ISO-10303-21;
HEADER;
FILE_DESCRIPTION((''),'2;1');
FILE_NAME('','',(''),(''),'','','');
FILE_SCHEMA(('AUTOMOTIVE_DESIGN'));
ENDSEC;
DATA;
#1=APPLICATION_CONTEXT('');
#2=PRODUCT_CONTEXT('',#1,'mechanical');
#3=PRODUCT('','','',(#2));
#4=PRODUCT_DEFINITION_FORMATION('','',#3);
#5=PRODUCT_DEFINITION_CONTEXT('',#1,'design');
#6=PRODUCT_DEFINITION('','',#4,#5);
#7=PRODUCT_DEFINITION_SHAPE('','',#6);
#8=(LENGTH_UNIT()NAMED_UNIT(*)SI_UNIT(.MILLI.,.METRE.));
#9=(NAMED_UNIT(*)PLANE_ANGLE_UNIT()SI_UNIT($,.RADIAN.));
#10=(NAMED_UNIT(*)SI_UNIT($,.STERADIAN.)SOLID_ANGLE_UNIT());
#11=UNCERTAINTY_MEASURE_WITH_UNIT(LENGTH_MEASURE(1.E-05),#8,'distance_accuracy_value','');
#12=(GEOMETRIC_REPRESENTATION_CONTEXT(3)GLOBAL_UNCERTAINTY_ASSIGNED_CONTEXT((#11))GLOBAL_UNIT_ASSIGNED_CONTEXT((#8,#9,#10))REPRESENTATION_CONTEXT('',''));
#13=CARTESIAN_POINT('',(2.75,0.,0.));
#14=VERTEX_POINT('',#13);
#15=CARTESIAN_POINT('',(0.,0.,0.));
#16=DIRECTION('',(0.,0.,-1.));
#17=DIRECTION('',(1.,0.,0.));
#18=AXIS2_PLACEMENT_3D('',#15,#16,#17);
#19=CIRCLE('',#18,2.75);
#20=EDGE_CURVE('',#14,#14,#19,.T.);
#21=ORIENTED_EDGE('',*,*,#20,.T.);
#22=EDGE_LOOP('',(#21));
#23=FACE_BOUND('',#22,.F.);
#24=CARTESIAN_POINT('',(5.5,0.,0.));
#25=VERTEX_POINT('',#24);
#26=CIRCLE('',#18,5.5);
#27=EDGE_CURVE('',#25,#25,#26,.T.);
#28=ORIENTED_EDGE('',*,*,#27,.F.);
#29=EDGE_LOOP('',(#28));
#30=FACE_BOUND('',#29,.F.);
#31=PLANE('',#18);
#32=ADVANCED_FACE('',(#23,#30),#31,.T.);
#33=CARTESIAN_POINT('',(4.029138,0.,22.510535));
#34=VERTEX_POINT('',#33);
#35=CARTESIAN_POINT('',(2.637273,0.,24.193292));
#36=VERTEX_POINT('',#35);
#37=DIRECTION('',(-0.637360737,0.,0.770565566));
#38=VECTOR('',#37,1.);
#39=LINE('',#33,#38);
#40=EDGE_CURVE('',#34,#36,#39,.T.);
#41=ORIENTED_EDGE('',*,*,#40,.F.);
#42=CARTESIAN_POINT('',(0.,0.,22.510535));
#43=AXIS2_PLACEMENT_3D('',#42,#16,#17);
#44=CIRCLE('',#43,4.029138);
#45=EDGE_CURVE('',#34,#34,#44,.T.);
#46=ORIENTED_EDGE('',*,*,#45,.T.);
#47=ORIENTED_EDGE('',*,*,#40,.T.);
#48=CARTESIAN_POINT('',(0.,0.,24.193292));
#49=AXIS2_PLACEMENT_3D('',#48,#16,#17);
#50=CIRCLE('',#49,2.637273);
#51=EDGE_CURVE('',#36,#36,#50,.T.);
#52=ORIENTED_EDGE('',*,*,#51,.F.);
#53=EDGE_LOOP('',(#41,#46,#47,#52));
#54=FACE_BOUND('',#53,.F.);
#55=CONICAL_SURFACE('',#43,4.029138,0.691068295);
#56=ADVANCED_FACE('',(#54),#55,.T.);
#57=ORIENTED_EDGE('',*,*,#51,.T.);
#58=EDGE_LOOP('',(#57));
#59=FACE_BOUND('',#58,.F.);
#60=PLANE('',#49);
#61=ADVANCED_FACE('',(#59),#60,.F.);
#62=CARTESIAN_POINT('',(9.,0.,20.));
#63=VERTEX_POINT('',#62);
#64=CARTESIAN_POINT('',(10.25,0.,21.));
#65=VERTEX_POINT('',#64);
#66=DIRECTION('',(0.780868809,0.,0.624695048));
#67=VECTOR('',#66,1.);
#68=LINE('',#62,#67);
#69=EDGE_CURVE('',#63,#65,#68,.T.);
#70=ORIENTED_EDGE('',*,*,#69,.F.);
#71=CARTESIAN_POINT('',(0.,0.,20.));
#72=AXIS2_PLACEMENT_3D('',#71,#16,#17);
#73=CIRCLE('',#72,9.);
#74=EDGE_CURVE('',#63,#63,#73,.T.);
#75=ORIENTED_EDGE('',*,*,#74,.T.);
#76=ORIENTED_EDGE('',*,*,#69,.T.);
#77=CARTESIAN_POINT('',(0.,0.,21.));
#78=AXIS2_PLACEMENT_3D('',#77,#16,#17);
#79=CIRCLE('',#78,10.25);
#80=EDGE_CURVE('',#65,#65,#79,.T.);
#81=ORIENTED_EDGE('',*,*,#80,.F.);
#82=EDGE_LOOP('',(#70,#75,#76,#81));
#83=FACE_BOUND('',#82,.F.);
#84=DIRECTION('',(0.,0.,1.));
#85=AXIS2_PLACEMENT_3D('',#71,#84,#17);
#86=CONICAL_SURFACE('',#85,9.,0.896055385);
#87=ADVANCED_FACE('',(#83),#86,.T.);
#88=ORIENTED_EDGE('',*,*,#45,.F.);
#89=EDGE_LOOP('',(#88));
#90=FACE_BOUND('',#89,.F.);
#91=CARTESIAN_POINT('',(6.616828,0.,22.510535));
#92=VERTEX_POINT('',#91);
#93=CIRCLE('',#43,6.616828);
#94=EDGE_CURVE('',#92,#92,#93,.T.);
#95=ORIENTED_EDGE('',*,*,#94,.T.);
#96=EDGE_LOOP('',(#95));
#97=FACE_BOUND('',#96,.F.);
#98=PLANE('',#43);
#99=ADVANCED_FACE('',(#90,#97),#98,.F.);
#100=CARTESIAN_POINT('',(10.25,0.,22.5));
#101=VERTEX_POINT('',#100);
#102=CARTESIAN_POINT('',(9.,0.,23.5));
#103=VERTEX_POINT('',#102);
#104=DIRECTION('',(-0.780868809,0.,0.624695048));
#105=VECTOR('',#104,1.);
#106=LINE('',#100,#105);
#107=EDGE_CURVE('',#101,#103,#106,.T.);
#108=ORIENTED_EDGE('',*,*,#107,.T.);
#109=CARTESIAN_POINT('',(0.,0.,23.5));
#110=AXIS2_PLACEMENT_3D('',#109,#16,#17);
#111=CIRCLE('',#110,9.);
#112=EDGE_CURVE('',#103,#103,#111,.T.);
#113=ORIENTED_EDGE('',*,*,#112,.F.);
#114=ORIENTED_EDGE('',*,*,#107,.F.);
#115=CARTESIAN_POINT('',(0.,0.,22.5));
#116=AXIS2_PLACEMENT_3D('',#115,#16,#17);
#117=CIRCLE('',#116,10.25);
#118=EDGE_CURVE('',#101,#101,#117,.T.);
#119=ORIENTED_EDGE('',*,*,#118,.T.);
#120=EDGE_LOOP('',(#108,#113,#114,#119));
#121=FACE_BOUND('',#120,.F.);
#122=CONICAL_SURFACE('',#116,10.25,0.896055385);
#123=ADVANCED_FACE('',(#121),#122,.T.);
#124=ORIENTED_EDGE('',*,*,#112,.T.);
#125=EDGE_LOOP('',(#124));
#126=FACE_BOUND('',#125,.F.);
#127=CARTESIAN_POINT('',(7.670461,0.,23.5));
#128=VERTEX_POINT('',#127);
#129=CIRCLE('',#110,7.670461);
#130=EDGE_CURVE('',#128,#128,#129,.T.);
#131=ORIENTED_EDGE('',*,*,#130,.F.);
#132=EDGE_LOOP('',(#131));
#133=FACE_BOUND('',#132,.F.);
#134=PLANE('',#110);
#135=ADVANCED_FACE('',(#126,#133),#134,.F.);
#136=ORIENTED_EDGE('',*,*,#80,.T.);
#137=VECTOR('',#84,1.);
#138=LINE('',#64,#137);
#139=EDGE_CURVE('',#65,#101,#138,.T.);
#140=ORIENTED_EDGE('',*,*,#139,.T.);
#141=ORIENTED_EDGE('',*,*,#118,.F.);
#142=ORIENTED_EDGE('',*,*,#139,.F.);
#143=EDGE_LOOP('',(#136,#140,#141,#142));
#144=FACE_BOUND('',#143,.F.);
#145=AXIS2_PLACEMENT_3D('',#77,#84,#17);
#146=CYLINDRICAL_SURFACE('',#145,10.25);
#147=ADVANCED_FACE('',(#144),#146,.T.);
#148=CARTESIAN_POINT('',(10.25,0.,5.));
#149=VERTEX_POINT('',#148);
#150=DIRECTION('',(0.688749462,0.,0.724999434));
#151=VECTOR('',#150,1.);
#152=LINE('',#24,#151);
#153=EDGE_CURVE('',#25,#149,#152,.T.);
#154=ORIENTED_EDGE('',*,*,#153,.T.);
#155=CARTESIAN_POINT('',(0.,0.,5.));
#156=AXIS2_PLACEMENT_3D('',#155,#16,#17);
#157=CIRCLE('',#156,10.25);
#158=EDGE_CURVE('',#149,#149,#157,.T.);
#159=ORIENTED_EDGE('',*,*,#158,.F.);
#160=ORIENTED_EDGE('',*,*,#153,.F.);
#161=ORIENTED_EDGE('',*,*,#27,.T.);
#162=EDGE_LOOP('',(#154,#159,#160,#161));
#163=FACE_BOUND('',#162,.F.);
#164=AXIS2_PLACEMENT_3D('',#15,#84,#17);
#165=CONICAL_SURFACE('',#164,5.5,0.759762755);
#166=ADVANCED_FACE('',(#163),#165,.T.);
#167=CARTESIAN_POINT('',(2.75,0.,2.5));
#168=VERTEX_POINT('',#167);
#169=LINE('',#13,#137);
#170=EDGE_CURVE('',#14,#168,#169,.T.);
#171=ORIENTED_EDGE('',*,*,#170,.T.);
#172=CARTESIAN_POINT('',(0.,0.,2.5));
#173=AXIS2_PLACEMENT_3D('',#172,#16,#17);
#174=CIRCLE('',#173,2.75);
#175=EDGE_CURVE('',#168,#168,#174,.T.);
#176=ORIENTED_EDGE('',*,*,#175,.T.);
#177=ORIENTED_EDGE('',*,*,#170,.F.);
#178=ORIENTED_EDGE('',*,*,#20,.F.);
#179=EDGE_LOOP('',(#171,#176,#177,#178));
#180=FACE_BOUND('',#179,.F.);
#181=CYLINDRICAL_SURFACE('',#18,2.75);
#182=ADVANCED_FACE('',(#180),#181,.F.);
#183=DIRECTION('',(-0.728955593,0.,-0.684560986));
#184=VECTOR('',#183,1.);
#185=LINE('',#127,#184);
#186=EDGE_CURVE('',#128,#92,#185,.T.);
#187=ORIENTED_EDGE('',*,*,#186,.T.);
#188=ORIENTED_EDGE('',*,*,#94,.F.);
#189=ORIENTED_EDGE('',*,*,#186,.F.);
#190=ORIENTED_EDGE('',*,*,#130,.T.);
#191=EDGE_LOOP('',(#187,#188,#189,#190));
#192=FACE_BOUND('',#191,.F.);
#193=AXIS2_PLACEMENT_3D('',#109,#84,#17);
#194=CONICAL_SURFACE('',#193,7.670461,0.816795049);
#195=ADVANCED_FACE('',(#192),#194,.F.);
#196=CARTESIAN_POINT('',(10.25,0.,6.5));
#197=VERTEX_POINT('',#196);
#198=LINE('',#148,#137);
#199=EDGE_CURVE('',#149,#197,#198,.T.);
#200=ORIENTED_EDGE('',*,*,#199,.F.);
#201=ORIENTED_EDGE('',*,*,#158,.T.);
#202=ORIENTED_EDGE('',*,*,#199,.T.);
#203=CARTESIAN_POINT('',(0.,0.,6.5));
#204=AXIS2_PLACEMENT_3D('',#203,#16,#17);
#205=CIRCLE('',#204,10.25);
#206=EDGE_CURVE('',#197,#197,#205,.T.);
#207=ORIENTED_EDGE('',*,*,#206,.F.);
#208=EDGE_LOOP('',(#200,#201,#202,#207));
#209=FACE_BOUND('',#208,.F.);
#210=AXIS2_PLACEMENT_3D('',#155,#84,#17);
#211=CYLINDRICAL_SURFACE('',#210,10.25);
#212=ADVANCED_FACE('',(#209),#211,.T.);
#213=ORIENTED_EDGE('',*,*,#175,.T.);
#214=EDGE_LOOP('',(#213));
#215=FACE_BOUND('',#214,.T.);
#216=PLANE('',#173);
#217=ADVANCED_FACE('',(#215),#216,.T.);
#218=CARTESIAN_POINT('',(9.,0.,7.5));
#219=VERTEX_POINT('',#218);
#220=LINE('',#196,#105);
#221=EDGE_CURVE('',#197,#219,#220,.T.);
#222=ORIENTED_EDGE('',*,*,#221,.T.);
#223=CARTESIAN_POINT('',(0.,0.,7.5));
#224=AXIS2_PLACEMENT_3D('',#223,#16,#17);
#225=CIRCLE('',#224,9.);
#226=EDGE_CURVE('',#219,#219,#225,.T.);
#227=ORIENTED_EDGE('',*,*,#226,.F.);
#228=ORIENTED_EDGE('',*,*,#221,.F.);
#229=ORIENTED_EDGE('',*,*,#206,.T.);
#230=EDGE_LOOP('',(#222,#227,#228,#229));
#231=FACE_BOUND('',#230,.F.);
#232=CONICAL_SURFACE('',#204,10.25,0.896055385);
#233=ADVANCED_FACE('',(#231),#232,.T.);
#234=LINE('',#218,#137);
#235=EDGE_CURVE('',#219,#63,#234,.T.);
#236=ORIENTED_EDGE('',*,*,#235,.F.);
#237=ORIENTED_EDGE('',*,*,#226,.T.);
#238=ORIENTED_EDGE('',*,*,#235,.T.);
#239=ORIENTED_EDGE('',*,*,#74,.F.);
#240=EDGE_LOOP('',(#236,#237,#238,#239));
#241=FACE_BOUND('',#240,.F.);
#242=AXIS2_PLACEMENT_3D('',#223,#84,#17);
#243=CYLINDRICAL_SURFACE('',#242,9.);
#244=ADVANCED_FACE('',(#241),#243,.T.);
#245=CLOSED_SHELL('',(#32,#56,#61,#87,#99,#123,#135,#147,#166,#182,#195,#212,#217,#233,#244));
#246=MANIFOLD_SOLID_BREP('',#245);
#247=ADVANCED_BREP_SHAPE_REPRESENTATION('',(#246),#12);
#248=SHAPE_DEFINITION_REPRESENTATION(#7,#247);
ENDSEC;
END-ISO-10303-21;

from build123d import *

# Parameters (mm, degrees)
F2_R     = 2.75
F3_DEPTH = 2.5


with BuildPart() as f1:
    # F0 (on Front) → F1 (revolve)
    with BuildSketch(Plane.XZ):
        Polygon((0, 23.5), (0, 0), (5.5, 0), (10.25, 5), (10.25, 6.5), (9, 7.5), (9, 20), (10.25, 21), (10.25, 22.5), (9, 23.5), (7.670461, 23.5), (6.616828, 22.510535), (4.029138, 22.510535), (2.637273, 24.193292), (0, 24.193292), align=None)
    revolve(axis=Axis((0, 0, 11.75), (0, 0, -1)))

    # F2 (on face) → F3 (cut)
    with BuildSketch(Plane(origin=(0, 0, 0), x_dir=(1, 0, 0), z_dir=(0, 0, -1))):
        Circle(F2_R)
    extrude(amount=-F3_DEPTH, mode=Mode.SUBTRACT)


solid = f1.part
